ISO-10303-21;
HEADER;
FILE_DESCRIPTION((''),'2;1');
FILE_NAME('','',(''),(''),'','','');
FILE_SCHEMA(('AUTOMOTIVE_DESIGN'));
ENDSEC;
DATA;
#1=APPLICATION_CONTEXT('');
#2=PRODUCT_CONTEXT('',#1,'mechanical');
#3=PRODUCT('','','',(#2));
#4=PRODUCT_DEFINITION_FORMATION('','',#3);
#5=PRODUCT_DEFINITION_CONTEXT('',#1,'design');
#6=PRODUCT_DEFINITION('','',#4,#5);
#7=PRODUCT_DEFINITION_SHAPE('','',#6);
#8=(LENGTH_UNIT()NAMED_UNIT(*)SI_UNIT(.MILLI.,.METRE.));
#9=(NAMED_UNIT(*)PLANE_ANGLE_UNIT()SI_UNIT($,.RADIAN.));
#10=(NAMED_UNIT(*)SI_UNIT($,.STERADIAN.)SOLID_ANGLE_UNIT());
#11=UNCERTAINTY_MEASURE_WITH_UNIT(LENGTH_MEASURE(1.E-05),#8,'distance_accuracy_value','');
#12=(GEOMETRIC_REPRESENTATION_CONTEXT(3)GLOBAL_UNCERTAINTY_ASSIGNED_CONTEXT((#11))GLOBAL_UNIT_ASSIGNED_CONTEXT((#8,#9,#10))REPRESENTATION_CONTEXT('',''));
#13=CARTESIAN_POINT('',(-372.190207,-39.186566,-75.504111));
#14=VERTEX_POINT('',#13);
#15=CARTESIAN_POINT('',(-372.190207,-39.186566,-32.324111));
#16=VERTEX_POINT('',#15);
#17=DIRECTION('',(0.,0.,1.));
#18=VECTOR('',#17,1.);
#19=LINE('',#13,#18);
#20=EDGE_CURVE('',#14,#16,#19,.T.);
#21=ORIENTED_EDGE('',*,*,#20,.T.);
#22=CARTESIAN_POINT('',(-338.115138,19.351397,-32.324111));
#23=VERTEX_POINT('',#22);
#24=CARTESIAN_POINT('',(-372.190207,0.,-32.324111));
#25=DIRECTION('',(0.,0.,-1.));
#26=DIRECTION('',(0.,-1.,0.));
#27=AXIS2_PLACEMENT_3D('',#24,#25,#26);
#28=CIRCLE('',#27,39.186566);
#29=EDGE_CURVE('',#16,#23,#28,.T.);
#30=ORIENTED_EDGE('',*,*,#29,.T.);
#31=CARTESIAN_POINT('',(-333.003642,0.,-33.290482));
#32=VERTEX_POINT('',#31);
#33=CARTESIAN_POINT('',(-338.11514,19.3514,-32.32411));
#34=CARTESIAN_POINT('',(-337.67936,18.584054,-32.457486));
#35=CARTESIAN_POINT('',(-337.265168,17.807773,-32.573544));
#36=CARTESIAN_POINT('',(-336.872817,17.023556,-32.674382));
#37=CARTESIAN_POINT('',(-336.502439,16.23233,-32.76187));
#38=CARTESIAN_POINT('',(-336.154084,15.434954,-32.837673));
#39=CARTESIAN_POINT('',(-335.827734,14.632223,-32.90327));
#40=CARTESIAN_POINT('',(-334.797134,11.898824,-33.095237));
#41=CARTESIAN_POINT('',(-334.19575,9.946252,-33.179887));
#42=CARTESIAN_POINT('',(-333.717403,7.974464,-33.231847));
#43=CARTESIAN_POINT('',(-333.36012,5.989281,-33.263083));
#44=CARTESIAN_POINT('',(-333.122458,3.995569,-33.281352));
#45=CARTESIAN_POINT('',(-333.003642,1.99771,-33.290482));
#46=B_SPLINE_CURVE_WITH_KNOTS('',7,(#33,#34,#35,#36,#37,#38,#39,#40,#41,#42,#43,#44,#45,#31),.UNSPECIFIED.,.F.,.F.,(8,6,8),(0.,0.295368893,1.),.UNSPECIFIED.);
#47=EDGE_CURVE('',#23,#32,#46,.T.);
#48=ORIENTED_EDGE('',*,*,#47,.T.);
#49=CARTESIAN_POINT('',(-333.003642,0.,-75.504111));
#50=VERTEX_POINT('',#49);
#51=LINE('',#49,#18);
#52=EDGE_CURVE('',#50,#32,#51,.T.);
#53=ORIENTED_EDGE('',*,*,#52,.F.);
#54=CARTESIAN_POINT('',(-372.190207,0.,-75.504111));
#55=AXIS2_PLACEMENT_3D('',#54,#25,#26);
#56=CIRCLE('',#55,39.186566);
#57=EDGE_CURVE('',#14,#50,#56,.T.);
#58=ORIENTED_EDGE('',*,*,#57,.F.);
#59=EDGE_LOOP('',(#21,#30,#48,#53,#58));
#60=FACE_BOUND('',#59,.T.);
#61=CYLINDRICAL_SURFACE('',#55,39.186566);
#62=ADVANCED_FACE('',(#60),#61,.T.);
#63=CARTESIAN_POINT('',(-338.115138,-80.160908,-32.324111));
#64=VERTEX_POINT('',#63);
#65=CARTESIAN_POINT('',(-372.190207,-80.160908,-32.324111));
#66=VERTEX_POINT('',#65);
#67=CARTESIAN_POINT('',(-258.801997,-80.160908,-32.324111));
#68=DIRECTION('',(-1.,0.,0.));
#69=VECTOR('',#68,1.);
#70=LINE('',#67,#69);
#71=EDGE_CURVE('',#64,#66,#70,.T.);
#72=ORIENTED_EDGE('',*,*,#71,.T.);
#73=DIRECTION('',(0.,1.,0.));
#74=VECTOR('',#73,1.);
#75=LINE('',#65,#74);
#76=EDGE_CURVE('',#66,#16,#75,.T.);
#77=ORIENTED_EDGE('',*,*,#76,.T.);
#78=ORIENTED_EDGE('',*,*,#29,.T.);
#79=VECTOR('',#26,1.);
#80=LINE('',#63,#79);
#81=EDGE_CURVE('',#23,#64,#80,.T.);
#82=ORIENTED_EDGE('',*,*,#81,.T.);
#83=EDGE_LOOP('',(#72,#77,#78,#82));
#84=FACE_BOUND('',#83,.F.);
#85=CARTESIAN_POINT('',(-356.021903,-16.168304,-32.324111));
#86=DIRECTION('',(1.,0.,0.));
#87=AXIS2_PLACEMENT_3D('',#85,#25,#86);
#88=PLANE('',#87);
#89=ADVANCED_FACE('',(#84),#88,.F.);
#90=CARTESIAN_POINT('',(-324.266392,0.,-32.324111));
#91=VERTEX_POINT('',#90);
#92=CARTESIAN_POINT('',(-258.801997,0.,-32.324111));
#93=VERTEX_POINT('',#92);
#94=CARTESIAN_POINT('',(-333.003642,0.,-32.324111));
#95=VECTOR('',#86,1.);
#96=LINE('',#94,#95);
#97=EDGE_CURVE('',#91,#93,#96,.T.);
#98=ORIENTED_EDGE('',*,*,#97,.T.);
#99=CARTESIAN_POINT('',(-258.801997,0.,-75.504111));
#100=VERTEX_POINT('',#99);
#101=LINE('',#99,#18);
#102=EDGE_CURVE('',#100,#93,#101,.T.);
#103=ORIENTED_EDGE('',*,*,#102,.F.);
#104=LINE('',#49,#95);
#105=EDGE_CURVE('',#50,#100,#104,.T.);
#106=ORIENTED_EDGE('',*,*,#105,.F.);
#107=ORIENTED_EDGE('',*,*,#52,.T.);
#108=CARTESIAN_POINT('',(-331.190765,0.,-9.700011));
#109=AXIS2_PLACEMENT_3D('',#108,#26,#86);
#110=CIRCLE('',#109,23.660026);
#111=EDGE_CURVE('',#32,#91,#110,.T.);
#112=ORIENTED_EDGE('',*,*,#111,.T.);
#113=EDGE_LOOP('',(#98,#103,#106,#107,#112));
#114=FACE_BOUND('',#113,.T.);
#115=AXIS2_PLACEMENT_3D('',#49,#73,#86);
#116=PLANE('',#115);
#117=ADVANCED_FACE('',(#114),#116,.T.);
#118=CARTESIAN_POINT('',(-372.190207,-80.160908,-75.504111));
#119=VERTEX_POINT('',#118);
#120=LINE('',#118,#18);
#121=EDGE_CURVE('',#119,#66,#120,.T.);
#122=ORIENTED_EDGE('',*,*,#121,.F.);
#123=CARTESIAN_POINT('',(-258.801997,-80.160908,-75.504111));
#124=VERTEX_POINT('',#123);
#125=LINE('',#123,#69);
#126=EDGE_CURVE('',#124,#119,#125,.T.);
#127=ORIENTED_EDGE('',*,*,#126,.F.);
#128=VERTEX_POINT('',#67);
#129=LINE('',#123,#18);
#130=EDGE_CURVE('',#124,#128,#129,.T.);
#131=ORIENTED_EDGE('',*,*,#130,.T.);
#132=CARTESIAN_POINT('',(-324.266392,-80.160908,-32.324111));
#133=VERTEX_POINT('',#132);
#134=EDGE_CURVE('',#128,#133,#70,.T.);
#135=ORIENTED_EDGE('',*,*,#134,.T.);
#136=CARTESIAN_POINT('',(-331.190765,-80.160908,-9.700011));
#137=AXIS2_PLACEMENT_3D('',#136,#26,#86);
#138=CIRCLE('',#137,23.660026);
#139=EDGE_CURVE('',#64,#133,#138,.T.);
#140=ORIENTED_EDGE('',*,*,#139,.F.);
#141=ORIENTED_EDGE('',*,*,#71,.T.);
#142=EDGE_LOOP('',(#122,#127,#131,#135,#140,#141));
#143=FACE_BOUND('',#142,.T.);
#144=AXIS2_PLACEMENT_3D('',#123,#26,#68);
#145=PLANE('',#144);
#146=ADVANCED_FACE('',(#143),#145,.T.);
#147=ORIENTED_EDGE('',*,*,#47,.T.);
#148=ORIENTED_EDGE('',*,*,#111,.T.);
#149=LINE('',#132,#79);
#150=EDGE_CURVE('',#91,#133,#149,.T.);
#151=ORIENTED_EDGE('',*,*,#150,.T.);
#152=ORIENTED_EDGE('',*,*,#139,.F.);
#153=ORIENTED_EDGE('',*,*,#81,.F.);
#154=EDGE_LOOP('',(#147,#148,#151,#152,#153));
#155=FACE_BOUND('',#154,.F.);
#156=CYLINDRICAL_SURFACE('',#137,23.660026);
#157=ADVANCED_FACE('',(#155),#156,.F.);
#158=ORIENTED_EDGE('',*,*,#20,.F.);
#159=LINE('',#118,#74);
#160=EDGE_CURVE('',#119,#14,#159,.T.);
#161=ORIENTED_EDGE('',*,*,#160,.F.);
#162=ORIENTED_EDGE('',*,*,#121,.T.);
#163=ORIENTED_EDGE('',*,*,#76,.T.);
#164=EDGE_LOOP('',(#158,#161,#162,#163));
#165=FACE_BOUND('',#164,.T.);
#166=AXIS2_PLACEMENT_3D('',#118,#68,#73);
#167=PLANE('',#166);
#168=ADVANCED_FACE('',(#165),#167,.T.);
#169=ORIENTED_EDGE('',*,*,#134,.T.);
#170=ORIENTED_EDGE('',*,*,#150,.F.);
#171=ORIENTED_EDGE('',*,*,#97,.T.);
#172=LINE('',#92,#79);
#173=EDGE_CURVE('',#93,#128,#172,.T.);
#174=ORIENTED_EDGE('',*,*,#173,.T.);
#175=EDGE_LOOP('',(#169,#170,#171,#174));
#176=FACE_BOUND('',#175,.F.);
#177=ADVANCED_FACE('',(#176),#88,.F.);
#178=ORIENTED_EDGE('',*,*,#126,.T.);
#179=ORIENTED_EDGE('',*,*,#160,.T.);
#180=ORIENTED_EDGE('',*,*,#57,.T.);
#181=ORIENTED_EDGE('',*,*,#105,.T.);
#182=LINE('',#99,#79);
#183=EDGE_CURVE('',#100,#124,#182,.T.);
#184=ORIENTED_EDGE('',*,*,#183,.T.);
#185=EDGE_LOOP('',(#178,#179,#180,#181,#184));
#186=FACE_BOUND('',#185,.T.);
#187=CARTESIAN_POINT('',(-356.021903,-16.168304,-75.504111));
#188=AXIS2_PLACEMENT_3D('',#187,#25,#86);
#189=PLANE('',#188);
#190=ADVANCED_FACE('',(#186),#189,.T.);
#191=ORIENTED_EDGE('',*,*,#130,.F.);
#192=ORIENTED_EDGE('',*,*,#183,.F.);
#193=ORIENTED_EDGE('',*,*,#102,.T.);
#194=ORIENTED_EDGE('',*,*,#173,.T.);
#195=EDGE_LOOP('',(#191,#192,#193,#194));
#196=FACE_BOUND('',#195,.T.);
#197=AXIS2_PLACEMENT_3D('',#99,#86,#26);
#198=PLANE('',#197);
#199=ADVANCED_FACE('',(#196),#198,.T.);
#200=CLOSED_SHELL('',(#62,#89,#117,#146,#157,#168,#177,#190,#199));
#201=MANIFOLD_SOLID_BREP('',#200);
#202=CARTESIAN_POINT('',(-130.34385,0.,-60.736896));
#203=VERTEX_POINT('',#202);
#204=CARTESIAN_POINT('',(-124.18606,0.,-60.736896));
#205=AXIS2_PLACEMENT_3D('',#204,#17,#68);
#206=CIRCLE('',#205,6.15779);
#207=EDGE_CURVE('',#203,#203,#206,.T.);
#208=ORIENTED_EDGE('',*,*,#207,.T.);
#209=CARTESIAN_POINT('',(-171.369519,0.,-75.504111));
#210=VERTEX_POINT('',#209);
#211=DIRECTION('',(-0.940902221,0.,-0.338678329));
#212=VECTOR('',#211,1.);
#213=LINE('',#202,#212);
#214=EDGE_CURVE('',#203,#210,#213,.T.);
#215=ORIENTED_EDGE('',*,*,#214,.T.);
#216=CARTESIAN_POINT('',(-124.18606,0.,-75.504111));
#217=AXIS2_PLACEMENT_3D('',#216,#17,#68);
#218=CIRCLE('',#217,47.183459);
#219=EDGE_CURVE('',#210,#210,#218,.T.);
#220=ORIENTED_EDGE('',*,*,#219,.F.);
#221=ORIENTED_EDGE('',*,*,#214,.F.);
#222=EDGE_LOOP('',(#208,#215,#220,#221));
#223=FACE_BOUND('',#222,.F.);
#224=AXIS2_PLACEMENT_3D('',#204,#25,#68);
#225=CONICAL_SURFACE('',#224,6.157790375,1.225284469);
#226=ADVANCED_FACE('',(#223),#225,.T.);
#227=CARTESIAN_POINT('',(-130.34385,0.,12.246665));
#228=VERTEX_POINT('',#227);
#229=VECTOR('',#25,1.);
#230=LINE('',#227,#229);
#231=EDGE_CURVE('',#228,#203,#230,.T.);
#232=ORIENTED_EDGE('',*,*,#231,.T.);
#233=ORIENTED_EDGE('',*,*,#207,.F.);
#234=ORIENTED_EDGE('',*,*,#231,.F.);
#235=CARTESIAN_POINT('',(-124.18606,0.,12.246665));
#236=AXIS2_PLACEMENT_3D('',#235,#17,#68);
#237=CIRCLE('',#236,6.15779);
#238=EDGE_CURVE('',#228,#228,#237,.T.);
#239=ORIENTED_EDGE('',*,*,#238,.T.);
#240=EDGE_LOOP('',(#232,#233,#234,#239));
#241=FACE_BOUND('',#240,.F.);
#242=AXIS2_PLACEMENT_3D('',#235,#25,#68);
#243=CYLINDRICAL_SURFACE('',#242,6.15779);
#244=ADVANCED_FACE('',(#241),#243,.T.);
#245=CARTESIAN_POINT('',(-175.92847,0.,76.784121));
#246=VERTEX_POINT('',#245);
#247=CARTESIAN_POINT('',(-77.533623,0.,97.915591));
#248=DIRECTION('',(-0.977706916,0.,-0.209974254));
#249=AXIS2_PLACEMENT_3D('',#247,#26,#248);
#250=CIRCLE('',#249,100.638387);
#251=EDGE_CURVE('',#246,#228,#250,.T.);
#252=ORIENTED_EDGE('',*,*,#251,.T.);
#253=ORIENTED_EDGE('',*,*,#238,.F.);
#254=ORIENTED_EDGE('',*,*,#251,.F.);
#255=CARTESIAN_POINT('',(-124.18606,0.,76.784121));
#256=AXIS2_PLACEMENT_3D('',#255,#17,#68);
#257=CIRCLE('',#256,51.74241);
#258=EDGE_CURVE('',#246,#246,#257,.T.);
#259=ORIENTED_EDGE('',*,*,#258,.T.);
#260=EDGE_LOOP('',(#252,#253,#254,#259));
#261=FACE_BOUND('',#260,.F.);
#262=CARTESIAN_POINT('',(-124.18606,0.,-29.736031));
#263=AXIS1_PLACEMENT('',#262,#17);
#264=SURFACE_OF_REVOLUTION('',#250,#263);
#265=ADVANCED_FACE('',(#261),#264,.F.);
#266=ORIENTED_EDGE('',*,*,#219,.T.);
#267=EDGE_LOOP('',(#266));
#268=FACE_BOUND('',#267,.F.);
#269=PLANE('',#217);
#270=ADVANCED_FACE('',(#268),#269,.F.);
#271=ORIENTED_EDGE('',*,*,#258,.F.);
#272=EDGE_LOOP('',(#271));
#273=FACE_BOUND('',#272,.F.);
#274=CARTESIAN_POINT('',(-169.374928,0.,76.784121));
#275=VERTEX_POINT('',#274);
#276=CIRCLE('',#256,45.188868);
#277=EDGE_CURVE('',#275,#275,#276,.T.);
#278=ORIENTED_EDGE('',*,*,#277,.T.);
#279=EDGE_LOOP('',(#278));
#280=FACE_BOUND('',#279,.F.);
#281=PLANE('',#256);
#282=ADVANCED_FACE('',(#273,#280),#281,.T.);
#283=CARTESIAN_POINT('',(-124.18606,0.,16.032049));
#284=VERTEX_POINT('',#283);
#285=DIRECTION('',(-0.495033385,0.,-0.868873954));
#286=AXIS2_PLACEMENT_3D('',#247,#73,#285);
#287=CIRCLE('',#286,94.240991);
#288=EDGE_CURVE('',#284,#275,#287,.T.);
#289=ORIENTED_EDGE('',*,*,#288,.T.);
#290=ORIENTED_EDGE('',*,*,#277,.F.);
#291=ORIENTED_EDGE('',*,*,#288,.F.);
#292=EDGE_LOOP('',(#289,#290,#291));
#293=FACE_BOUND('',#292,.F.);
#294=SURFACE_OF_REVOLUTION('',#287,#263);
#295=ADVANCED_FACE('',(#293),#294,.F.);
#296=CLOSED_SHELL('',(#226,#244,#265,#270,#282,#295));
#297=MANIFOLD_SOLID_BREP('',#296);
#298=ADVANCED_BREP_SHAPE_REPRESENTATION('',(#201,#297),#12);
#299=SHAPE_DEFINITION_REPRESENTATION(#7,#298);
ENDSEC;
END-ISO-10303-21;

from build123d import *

# Parameters (mm, degrees)
F3_DEPTH = 43.18
F4_R     = 23.6600255422
F5_DEPTH = 198.12


with BuildPart() as f1:
    # F0 (on Front) → F1 (revolve)
    with BuildSketch(Plane.XZ):
        with BuildLine():
            Line((-171.3695186251, -75.5041107695), (-124.186059868, -75.5041107695))
            Line((-124.186059868, -75.5041107695), (-124.186059868, 16.0320485777))
            ThreePointArc((-124.186059868, 16.0320485777), (-153.1499751292, 41.670309623), (-169.3749281483, 76.7841205271))
            Line((-169.3749281483, 76.7841205271), (-175.9284700741, 76.7841205271))
            ThreePointArc((-175.9284700741, 76.7841205271), (-159.7346839442, 39.8546698346), (-130.3438502425, 12.2466649811))
            Line((-130.3438502425, 12.2466649811), (-130.3438502425, -60.7368963593))
            Line((-130.3438502425, -60.7368963593), (-171.3695186251, -75.5041107695))
        make_face()
    revolve(axis=Axis((-124.186059868, 0, -29.7360310959), (0, 0, 1)))


with BuildPart() as f3:
    # F2 (on face) → F3 (new body)
    with BuildSketch(Plane(origin=(0, 0, -75.5041107695), x_dir=(1, 0, 0), z_dir=(0, 0, -1))):
        with BuildLine():
            Line((-372.190207243, 39.1865656481), (-372.190207243, 0))
            Line((-372.190207243, 0), (-333.0036415949, 0))
            ThreePointArc((-333.0036415949, 0), (-344.4811209418, 27.7090863012), (-372.190207243, 39.1865656481))
        make_face()
        with BuildLine():
            Line((-333.0036415949, 0), (-372.190207243, 0))
            Line((-372.190207243, 0), (-372.190207243, 39.1865656481))
            ThreePointArc((-372.190207243, 39.1865656481), (-399.8992935441, -27.7090863012), (-333.0036415949, 0))
        make_face()
        with BuildLine():
            ThreePointArc((-372.190207243, 39.1865656481), (-344.4811209418, 27.7090863012), (-333.0036415949, 0))
            Line((-333.0036415949, 0), (-258.8019967079, 0))
            Line((-258.8019967079, 0), (-258.8019967079, 80.160908401))
            Line((-258.8019967079, 80.160908401), (-372.190207243, 80.160908401))
            Line((-372.190207243, 80.160908401), (-372.190207243, 39.1865656481))
        make_face()
    extrude(amount=-F3_DEPTH)

    # F4 (on face) → F5 (cut)
    with BuildSketch(Plane.XZ.offset(80.160908401)):
        with Locations((-331.190764904, -9.700011462)):
            Circle(F4_R)
    extrude(amount=-F5_DEPTH, mode=Mode.SUBTRACT)


solid = Compound([f1.part, f3.part])
